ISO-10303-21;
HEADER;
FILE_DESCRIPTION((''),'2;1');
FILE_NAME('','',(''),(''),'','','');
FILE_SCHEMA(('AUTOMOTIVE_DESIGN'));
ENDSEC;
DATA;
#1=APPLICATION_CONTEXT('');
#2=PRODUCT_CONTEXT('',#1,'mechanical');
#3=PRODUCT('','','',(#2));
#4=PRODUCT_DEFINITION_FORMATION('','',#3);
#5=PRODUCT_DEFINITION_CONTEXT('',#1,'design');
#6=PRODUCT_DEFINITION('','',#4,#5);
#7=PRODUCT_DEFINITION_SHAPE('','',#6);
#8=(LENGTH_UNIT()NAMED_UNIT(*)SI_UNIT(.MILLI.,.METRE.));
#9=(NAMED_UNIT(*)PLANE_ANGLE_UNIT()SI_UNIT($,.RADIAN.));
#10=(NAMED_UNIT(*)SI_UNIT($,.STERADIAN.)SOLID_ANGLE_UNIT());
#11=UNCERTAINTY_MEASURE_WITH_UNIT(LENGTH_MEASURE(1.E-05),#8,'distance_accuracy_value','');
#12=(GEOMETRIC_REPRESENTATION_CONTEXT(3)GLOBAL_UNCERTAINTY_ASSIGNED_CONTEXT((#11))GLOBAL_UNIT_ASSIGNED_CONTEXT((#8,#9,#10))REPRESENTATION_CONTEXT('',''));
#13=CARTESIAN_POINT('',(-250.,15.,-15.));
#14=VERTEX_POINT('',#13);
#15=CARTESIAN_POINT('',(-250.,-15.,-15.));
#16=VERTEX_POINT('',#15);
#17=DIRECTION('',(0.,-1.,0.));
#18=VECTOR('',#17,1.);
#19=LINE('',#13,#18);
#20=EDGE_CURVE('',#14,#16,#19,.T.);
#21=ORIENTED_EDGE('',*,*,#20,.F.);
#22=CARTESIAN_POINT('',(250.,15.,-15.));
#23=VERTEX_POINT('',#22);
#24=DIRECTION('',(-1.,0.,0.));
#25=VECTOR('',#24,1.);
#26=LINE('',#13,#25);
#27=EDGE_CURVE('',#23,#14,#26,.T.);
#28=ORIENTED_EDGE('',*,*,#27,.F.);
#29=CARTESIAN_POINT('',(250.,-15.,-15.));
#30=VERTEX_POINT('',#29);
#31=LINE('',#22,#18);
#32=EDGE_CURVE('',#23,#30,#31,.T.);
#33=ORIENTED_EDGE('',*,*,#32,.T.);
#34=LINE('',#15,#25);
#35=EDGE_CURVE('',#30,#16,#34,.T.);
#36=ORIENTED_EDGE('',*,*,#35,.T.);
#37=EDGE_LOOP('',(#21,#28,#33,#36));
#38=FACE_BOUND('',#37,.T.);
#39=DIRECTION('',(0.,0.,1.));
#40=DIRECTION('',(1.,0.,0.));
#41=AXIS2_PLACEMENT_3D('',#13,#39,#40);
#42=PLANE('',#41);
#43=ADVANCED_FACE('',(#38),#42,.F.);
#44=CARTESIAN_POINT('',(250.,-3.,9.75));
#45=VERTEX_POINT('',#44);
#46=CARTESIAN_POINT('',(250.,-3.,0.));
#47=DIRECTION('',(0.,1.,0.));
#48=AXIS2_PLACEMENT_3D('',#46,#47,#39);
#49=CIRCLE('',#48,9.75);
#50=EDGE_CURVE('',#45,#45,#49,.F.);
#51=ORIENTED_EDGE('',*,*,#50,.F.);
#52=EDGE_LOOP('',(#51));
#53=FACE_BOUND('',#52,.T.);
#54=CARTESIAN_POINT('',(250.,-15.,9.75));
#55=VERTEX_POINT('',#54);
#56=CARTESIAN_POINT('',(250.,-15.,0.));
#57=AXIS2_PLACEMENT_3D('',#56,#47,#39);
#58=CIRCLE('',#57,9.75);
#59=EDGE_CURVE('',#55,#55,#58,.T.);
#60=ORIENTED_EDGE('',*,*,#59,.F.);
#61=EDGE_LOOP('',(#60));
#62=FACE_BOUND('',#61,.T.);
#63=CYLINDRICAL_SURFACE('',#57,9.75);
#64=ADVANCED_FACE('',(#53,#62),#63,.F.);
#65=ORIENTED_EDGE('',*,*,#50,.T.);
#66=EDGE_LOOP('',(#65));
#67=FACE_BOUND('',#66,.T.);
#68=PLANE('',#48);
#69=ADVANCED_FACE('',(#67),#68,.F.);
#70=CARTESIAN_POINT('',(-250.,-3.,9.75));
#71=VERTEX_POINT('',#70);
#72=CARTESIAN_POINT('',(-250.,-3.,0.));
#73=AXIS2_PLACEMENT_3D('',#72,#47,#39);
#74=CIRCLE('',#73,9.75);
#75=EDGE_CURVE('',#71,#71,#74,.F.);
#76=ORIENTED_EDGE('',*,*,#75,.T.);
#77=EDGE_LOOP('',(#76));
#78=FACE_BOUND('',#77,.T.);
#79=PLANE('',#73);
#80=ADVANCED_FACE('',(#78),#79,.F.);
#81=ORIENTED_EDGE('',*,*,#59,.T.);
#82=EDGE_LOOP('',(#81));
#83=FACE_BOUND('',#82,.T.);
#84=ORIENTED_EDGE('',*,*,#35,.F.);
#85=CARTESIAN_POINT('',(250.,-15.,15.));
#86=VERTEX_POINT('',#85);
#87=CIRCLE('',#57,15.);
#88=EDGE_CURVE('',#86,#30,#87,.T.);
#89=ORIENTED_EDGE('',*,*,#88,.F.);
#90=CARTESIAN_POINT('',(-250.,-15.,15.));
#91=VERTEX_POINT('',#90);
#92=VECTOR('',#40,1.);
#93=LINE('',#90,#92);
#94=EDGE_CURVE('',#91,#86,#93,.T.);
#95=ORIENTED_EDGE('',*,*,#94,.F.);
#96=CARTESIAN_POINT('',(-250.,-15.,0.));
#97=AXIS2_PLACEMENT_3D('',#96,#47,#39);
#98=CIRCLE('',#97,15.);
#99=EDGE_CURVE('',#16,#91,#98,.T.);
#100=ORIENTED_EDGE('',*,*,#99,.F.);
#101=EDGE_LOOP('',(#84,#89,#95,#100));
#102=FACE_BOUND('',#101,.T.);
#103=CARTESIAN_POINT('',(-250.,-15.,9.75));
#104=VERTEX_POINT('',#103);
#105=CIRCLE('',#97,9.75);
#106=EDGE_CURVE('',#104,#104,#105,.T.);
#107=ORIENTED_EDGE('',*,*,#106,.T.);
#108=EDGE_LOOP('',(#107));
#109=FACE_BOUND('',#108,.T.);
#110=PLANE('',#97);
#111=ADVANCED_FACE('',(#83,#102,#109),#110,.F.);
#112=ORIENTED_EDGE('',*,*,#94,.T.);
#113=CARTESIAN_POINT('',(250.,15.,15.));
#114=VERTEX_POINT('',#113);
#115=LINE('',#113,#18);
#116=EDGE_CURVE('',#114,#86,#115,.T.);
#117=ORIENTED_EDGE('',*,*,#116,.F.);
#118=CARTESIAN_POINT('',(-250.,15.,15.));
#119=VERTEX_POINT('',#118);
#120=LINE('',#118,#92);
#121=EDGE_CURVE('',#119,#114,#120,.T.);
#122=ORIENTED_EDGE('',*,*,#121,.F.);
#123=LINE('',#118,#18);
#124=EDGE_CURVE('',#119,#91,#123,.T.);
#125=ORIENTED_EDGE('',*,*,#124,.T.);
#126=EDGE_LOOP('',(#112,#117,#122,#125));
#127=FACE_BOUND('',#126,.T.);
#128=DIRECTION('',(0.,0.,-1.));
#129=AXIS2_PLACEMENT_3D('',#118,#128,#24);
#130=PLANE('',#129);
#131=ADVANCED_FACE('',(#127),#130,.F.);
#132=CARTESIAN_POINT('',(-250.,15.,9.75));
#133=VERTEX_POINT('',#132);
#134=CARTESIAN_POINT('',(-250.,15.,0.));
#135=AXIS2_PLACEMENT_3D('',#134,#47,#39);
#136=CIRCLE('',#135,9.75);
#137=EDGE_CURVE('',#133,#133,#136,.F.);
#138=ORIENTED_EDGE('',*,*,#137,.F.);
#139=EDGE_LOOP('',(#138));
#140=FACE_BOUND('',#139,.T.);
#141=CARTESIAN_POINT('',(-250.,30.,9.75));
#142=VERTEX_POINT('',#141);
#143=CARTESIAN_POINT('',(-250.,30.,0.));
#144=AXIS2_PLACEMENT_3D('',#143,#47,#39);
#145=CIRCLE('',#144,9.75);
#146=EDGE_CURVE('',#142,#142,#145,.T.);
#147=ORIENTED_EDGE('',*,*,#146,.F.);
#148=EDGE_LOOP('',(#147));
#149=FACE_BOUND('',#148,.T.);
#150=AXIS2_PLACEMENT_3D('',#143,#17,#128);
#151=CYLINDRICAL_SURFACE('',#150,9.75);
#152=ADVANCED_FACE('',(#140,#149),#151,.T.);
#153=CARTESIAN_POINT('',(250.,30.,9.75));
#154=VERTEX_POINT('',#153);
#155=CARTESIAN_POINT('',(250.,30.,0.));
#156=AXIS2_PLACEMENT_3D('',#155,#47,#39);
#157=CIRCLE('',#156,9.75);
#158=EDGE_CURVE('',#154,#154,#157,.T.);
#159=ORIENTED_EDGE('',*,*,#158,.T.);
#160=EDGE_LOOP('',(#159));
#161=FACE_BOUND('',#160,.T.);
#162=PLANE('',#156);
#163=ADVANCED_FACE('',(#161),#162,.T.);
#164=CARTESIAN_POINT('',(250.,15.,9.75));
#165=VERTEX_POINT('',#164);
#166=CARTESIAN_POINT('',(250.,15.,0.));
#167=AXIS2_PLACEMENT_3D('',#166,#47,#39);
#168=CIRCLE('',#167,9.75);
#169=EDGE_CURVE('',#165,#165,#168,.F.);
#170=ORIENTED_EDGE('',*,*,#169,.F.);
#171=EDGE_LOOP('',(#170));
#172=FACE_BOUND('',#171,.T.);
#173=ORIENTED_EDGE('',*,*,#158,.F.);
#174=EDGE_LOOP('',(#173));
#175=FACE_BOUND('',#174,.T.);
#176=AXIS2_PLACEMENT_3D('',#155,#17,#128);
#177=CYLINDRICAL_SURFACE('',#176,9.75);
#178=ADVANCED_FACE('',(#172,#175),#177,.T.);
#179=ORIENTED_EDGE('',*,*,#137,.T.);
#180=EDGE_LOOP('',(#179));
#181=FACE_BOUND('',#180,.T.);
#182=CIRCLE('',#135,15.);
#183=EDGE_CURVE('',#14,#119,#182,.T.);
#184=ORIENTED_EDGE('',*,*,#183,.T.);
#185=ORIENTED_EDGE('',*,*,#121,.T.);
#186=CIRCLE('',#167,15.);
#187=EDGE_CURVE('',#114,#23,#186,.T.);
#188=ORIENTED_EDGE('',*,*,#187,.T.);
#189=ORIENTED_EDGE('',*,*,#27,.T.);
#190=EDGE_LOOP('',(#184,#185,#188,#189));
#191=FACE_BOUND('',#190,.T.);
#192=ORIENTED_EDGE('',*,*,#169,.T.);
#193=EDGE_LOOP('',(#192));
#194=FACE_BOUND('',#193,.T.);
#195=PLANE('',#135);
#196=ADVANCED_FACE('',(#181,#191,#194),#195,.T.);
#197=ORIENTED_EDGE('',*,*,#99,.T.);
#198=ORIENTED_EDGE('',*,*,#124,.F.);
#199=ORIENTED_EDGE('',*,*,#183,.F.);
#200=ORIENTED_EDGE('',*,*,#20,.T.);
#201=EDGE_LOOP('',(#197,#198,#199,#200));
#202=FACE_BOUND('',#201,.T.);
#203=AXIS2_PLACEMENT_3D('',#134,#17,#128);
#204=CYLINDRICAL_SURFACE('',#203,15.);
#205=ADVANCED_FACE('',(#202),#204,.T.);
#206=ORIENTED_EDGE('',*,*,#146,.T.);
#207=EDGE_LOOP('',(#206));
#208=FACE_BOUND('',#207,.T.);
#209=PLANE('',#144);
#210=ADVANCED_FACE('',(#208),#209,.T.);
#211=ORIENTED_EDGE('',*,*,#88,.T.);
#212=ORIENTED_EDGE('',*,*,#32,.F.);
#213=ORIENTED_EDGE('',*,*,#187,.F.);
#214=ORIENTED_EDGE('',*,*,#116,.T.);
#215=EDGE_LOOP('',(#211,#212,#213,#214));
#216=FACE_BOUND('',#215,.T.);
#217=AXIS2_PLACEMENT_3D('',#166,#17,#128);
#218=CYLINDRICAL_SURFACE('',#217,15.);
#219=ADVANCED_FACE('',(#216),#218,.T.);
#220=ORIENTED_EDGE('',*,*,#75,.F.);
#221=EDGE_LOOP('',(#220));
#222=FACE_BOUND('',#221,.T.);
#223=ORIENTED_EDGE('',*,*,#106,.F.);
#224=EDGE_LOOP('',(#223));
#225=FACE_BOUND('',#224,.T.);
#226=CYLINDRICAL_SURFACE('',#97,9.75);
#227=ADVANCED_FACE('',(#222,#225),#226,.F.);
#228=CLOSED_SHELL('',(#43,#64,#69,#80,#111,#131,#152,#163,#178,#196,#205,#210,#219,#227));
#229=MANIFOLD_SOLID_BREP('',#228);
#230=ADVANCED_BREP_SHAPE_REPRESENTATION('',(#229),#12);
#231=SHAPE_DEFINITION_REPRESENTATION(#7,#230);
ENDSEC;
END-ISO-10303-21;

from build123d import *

# Parameters (mm, degrees)
BOSS_EXTRUDE1_DEPTH = 15
SKETCH2_R           = 9.75
BOSS_EXTRUDE2_DEPTH = 30
SKETCH2_2_R         = 9.75
CUT_EXTRUDE1_DEPTH  = 268.114207784
SKETCH2_3_R         = 9.75
BOSS_EXTRUDE3_DEPTH = 3


with BuildPart() as part:
    # Sketch1 → Boss-Extrude1 (new, symmetric)
    with BuildSketch(Plane(origin=(0, 0, 0), x_dir=(1, 0, 0), z_dir=(0, 1, 0))):
        with BuildLine():
            Line((-250, 15), (250, 15))
            ThreePointArc((250, 15), (265, 0), (250, -15))
            Line((250, -15), (-250, -15))
            ThreePointArc((-250, -15), (-265, 0), (-250, 15))
        make_face()
    extrude(amount=BOSS_EXTRUDE1_DEPTH, both=True)

    # Sketch2 → Boss-Extrude2 (add)
    with BuildSketch(Plane(origin=(0, 0, 0), x_dir=(1, 0, 0), z_dir=(0, 1, 0))):
        with Locations((-250, 0)):
            Circle(SKETCH2_R)
        with Locations((250, 0)):
            Circle(SKETCH2_R)
    extrude(amount=BOSS_EXTRUDE2_DEPTH)

    # Sketch2<2> → Cut-Extrude1 (cut, through all)
    with BuildSketch(Plane(origin=(0, 0, 0), x_dir=(1, 0, 0), z_dir=(0, 1, 0))):
        with Locations((-250, 0)):
            Circle(SKETCH2_2_R)
        with Locations((250, 0)):
            Circle(SKETCH2_2_R)
    extrude(amount=-CUT_EXTRUDE1_DEPTH, mode=Mode.SUBTRACT)

    # Sketch2<3> → Boss-Extrude3 (add)
    with BuildSketch(Plane(origin=(0, 0, 0), x_dir=(1, 0, 0), z_dir=(0, 1, 0))):
        with Locations((-250, 0)):
            Circle(SKETCH2_3_R)
        with Locations((250, 0)):
            Circle(SKETCH2_3_R)
    extrude(amount=-BOSS_EXTRUDE3_DEPTH)


solid = part.part
